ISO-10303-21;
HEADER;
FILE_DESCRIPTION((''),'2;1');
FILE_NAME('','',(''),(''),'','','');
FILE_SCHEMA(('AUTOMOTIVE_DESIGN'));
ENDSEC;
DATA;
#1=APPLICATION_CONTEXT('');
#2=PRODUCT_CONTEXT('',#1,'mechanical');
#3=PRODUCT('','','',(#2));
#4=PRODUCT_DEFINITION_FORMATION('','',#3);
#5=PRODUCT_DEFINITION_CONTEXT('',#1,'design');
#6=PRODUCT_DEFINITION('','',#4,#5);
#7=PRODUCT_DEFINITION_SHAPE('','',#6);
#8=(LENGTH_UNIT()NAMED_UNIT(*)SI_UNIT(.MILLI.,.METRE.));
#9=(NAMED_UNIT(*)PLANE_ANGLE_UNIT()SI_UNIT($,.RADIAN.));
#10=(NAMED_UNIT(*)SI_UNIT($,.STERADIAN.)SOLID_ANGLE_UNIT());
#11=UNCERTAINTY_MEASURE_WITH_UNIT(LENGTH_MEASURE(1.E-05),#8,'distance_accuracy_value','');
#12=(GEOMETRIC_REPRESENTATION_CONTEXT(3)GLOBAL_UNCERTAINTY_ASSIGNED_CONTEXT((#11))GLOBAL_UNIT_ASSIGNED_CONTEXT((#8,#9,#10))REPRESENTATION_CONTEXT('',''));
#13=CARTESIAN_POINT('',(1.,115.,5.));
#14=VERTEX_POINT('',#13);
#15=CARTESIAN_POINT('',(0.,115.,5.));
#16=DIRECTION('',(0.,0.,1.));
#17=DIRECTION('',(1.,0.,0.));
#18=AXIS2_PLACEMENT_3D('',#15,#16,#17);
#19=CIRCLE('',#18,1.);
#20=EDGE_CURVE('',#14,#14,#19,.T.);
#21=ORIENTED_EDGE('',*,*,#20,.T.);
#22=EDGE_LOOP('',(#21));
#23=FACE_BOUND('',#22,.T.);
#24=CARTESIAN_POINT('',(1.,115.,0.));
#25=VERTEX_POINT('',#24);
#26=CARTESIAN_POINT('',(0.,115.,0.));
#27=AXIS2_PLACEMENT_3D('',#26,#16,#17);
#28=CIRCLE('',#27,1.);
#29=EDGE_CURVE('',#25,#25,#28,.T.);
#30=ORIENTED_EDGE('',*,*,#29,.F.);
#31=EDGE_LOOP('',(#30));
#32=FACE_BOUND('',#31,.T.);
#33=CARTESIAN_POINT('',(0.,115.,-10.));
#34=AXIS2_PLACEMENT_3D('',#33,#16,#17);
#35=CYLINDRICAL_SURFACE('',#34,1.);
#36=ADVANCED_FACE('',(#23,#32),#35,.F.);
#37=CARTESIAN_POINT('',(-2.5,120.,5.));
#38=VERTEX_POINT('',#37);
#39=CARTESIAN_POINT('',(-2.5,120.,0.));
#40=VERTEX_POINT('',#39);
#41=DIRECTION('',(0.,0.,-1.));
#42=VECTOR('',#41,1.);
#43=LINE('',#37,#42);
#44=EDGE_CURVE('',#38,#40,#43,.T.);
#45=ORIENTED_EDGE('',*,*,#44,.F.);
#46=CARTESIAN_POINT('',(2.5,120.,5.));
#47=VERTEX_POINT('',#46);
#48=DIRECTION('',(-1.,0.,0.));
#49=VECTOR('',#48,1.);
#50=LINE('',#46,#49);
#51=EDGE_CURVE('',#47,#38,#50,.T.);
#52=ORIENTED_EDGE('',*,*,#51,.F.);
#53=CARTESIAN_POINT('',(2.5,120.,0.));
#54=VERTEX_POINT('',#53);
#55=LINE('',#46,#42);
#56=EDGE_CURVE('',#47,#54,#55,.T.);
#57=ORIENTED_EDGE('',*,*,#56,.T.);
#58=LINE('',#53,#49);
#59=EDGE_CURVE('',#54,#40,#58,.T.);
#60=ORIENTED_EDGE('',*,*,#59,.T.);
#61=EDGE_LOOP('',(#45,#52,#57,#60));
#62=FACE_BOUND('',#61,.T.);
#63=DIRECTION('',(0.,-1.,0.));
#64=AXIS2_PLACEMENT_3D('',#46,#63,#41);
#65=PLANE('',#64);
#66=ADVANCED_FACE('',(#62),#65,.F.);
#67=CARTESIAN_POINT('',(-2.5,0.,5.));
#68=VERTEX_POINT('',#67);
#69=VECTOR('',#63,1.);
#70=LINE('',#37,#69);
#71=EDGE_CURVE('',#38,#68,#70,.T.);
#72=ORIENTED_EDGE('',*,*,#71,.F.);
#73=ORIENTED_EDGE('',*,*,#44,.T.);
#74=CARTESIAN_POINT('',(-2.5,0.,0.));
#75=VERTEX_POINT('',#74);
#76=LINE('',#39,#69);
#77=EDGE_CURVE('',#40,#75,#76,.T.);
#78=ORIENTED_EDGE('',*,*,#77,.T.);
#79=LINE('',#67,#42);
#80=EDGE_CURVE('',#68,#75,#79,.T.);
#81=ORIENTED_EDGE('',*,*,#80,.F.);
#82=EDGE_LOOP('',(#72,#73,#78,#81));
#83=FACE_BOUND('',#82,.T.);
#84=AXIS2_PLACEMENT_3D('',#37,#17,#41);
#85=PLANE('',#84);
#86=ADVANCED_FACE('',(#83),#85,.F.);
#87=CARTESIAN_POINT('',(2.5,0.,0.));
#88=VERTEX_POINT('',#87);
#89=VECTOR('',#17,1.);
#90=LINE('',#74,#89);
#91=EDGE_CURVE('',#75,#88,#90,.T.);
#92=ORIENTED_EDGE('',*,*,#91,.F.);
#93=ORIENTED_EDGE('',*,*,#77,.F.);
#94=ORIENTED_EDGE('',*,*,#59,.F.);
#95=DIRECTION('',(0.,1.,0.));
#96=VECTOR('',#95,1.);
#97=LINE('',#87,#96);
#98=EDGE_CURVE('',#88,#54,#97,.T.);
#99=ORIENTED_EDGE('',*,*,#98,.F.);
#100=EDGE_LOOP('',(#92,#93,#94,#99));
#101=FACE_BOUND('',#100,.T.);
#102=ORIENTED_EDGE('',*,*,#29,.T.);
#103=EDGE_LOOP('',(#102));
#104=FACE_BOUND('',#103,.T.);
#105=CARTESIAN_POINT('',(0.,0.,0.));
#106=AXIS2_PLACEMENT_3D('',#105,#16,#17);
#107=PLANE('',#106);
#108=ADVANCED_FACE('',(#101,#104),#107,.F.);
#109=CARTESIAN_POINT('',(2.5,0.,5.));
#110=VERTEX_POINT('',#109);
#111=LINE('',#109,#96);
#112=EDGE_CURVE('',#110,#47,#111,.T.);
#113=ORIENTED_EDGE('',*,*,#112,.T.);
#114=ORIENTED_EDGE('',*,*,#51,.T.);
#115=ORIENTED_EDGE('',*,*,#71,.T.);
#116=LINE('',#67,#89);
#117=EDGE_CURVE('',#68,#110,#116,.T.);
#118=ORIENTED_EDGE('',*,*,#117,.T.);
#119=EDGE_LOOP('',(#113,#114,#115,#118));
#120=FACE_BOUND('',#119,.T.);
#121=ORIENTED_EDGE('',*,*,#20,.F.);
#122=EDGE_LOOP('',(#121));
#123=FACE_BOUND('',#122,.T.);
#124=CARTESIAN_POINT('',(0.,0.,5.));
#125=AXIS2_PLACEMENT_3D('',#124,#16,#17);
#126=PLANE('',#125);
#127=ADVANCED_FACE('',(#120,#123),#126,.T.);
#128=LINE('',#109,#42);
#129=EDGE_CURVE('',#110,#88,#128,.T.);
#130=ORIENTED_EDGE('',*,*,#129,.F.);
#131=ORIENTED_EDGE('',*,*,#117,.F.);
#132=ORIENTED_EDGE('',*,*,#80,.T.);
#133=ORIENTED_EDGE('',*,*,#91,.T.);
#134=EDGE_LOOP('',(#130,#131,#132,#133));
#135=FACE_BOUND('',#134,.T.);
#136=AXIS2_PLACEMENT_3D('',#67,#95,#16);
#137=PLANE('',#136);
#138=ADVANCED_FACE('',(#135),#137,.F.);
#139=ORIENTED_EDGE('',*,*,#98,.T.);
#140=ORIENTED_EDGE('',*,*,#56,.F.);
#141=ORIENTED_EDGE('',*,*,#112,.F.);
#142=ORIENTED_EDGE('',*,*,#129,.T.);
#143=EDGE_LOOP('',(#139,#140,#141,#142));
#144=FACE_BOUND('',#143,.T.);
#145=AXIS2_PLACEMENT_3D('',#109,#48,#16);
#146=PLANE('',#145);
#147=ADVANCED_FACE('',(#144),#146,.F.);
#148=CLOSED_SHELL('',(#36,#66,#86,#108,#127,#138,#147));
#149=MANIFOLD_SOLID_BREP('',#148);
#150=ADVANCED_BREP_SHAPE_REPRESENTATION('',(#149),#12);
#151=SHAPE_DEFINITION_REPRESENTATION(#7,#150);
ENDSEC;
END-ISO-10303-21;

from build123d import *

# Parameters (mm, degrees)
SKETCH1_W           = 5
SKETCH1_H           = 120
BOSS_EXTRUDE1_DEPTH = 5
SKETCH2_R           = 1
CUT_EXTRUDE1_DEPTH  = 10


with BuildPart() as part:
    # Sketch1 → Boss-Extrude1 (new body)
    with BuildSketch(Plane.XY):
        with Locations((0, 60)):
            Rectangle(SKETCH1_W, SKETCH1_H)
    extrude(amount=BOSS_EXTRUDE1_DEPTH)

    # Sketch2 → Cut-Extrude1 (cut, symmetric)
    with BuildSketch(Plane.XY):
        with Locations((0, 115)):
            Circle(SKETCH2_R)
    extrude(amount=CUT_EXTRUDE1_DEPTH, both=True, mode=Mode.SUBTRACT)


solid = part.part
